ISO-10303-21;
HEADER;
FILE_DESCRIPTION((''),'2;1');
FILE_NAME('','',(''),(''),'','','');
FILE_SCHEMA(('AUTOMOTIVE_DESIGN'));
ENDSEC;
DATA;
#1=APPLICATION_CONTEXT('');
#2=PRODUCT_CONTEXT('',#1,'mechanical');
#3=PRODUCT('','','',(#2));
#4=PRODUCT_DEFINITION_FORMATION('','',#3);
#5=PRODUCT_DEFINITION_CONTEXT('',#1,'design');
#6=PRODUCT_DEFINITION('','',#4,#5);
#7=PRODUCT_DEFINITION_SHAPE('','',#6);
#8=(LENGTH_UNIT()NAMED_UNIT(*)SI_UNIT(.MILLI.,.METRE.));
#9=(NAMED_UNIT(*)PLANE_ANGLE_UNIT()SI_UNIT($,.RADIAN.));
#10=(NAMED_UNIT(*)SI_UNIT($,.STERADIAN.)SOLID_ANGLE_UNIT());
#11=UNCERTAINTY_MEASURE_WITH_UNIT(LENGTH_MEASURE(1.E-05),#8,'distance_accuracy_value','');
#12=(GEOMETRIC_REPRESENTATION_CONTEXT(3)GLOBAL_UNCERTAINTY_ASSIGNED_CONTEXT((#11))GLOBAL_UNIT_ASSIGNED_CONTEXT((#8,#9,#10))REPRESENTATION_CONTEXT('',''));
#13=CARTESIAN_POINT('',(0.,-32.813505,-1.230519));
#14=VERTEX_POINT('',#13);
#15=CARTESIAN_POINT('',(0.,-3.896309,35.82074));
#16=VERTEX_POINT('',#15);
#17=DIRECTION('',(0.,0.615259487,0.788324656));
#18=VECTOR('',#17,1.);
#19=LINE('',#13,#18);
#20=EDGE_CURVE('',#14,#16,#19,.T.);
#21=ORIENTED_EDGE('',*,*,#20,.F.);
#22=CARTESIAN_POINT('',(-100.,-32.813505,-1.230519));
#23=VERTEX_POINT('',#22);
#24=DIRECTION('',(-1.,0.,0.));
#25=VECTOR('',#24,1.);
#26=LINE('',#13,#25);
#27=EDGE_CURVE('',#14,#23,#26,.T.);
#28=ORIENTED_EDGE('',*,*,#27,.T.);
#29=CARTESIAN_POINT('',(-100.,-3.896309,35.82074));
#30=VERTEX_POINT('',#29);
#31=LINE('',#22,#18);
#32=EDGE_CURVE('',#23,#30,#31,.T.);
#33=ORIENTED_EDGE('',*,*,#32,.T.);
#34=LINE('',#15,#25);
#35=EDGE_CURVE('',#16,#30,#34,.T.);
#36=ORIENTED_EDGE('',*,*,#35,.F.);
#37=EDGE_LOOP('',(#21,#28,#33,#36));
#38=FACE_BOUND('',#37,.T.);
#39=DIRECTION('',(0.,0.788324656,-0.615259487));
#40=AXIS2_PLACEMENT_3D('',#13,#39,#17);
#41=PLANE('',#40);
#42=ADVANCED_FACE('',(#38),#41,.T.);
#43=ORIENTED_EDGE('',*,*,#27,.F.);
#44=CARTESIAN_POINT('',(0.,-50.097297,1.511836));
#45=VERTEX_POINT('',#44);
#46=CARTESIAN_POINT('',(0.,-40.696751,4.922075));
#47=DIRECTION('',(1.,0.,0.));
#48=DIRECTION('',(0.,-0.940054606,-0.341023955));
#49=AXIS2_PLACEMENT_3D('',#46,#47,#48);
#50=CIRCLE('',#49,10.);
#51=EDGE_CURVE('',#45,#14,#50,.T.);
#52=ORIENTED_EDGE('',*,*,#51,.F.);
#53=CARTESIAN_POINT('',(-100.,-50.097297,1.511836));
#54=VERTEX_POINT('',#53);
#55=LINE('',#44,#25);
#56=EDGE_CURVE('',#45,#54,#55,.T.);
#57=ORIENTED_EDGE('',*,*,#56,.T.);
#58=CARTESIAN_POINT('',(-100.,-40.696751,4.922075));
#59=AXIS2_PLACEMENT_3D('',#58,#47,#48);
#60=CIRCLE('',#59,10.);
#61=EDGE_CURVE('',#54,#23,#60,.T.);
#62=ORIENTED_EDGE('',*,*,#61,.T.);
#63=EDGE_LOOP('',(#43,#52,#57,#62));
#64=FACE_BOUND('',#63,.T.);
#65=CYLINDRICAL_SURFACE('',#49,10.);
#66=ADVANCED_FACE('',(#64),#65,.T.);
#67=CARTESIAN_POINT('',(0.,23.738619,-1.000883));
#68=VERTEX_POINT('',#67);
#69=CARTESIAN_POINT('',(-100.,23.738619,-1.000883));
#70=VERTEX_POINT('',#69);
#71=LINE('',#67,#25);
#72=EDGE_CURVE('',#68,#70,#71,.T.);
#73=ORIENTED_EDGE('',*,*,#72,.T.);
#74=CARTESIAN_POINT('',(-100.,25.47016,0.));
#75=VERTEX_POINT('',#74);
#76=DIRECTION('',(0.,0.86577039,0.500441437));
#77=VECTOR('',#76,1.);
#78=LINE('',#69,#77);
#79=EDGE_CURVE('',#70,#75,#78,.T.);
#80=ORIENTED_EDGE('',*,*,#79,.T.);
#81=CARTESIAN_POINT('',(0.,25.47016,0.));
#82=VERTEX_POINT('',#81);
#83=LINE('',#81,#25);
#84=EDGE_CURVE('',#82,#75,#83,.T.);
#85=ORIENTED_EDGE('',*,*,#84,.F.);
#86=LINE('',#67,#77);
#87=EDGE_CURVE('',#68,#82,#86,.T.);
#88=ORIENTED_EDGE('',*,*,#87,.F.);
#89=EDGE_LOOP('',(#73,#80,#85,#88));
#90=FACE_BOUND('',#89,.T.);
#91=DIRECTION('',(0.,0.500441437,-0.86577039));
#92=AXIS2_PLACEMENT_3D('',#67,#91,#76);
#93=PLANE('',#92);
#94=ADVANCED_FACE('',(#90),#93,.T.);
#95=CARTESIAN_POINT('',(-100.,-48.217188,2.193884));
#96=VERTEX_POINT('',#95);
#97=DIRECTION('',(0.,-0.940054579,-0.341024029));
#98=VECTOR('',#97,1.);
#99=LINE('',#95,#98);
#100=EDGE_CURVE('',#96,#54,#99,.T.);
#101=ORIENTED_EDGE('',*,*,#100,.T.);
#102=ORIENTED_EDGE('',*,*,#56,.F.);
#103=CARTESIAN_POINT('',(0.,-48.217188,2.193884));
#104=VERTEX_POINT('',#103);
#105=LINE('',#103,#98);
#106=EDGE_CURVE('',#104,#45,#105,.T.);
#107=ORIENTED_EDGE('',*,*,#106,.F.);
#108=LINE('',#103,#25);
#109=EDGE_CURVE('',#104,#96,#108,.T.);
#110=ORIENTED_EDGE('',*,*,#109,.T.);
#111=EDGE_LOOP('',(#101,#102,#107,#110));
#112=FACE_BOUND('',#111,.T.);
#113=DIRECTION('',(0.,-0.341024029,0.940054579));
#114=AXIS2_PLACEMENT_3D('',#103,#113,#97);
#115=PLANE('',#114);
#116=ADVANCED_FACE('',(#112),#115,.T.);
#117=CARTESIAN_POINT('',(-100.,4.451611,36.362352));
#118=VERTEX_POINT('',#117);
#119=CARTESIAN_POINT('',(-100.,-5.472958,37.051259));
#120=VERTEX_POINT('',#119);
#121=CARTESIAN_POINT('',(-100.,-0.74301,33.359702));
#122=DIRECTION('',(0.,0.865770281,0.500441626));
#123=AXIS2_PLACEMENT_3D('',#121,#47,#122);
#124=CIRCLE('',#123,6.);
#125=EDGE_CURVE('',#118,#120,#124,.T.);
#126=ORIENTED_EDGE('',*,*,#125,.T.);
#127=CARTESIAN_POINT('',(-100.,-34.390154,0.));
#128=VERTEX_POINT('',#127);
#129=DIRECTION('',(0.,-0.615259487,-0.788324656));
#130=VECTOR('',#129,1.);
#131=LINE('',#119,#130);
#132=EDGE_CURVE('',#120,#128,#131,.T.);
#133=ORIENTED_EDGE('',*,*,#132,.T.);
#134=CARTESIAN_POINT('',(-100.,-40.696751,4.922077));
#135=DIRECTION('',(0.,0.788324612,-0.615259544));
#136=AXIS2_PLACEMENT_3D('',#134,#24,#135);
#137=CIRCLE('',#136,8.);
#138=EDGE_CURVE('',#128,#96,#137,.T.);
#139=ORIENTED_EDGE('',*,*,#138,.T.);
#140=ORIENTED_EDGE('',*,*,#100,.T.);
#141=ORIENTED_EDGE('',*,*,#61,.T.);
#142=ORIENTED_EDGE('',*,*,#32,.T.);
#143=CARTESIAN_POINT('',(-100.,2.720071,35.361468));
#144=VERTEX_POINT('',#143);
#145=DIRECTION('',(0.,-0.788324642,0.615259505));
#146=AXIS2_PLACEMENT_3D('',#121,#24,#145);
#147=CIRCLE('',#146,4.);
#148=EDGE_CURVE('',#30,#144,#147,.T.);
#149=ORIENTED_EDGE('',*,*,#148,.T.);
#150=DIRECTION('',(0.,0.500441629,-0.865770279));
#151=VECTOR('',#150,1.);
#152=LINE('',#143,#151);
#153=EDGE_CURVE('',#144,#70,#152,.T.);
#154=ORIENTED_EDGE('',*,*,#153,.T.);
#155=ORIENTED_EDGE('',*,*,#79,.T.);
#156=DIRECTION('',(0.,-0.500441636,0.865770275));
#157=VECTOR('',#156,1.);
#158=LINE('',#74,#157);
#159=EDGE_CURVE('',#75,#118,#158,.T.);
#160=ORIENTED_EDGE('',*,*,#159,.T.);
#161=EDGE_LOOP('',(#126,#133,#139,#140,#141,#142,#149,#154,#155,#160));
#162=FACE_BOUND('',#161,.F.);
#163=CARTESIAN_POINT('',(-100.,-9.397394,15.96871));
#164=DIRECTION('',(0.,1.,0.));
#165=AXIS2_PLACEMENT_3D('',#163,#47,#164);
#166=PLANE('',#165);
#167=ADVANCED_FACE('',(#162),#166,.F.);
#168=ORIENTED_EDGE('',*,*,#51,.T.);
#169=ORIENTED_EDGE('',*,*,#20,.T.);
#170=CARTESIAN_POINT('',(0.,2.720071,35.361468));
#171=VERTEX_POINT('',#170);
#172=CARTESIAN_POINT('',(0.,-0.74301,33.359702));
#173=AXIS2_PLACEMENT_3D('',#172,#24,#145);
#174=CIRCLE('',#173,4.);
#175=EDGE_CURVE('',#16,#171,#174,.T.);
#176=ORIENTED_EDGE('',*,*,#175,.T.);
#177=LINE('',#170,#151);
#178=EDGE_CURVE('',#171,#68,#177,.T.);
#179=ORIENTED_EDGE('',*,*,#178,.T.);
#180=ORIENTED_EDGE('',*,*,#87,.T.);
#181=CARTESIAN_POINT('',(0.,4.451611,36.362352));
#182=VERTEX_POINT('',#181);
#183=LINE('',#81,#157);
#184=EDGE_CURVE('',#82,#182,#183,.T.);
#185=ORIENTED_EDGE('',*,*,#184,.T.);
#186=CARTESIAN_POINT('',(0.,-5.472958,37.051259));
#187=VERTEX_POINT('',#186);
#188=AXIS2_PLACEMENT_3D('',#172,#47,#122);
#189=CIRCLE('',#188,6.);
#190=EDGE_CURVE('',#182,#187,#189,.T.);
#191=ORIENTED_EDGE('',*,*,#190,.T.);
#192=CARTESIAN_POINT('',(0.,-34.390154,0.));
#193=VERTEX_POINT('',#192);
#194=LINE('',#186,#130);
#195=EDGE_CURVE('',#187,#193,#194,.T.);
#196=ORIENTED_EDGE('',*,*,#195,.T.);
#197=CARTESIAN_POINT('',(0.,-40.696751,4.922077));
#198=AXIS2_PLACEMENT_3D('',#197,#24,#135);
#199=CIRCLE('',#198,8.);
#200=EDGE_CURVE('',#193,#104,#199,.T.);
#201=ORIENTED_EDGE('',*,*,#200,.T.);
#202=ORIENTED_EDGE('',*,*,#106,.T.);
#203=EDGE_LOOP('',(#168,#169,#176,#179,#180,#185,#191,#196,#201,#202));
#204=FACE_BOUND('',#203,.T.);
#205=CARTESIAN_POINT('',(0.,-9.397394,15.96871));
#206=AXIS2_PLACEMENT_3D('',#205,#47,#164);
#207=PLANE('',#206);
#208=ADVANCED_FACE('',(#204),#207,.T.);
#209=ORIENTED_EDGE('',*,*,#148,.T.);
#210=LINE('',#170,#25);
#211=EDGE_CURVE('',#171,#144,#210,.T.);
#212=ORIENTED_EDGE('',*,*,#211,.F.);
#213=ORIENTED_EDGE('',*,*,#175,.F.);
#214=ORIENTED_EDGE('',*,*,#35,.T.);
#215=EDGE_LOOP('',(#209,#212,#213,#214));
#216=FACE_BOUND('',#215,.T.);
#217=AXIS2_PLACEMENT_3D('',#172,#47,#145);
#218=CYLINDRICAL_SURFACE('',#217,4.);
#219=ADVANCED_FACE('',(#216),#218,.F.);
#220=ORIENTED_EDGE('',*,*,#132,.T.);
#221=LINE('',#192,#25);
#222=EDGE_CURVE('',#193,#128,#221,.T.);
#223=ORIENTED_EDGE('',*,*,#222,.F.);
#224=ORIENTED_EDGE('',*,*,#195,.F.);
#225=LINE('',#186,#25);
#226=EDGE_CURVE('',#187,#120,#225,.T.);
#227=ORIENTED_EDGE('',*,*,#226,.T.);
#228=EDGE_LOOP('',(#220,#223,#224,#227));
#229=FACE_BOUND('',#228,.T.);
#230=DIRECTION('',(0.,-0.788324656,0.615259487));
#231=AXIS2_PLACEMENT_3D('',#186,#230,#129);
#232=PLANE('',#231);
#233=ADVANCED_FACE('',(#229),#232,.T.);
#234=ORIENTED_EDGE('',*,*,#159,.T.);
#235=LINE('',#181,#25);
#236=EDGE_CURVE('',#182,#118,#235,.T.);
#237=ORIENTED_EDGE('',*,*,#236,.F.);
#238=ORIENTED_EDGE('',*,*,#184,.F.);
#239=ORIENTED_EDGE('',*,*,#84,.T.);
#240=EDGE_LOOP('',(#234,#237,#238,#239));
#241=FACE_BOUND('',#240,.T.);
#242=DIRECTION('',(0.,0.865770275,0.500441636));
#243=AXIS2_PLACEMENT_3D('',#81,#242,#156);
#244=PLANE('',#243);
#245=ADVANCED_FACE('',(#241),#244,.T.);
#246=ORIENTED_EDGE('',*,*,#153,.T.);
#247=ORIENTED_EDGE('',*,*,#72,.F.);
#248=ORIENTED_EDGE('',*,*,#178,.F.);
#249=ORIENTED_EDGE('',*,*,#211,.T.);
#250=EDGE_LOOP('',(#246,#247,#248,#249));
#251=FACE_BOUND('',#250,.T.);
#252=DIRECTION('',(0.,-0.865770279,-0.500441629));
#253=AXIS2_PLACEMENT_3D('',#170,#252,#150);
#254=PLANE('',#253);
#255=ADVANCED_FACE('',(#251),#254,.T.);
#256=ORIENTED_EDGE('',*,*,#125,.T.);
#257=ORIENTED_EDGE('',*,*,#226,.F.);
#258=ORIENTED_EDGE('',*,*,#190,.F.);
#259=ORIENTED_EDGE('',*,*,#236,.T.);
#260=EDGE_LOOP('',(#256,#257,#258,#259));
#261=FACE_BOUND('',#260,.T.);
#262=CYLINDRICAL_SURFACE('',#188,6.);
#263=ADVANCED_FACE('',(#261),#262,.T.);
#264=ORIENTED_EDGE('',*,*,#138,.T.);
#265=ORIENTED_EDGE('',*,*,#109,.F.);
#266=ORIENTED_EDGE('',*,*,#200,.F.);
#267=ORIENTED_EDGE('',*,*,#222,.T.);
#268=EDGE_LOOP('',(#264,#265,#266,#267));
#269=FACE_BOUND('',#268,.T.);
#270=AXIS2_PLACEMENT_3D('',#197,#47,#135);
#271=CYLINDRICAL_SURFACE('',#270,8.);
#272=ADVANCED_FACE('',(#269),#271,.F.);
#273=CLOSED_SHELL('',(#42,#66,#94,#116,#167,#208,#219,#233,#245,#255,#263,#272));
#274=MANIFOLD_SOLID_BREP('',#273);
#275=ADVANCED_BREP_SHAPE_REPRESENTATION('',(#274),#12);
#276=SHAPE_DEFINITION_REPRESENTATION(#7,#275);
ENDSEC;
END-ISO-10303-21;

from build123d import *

# Parameters (mm, degrees)
F1_DEPTH = 100


with BuildPart() as f1:
    # F0 (on Right) → F1 (new body)
    with BuildSketch(Plane.YZ):
        with BuildLine():
            Line((-5.472958, 37.051259), (-34.390154, 0))
            ThreePointArc((-34.390154, 0), (-41.9504, -2.979086), (-48.217188, 2.193884))
            Line((-48.217188, 2.193884), (-50.097297, 1.511836))
            ThreePointArc((-50.097297, 1.511836), (-42.263812, -4.954377), (-32.813505, -1.230519))
            Line((-32.813505, -1.230519), (-3.896309, 35.82074))
            ThreePointArc((-3.896309, 35.82074), (-0.46602, 37.3501), (2.720071, 35.361468))
            Line((2.720071, 35.361468), (23.738619, -1.000883))
            Line((23.738619, -1.000883), (25.47016, 0))
            Line((25.47016, 0), (4.451611, 36.362352))
            ThreePointArc((4.451611, 36.362352), (-0.327524, 39.345299), (-5.472958, 37.051259))
        make_face()
    extrude(amount=-F1_DEPTH)


solid = f1.part
